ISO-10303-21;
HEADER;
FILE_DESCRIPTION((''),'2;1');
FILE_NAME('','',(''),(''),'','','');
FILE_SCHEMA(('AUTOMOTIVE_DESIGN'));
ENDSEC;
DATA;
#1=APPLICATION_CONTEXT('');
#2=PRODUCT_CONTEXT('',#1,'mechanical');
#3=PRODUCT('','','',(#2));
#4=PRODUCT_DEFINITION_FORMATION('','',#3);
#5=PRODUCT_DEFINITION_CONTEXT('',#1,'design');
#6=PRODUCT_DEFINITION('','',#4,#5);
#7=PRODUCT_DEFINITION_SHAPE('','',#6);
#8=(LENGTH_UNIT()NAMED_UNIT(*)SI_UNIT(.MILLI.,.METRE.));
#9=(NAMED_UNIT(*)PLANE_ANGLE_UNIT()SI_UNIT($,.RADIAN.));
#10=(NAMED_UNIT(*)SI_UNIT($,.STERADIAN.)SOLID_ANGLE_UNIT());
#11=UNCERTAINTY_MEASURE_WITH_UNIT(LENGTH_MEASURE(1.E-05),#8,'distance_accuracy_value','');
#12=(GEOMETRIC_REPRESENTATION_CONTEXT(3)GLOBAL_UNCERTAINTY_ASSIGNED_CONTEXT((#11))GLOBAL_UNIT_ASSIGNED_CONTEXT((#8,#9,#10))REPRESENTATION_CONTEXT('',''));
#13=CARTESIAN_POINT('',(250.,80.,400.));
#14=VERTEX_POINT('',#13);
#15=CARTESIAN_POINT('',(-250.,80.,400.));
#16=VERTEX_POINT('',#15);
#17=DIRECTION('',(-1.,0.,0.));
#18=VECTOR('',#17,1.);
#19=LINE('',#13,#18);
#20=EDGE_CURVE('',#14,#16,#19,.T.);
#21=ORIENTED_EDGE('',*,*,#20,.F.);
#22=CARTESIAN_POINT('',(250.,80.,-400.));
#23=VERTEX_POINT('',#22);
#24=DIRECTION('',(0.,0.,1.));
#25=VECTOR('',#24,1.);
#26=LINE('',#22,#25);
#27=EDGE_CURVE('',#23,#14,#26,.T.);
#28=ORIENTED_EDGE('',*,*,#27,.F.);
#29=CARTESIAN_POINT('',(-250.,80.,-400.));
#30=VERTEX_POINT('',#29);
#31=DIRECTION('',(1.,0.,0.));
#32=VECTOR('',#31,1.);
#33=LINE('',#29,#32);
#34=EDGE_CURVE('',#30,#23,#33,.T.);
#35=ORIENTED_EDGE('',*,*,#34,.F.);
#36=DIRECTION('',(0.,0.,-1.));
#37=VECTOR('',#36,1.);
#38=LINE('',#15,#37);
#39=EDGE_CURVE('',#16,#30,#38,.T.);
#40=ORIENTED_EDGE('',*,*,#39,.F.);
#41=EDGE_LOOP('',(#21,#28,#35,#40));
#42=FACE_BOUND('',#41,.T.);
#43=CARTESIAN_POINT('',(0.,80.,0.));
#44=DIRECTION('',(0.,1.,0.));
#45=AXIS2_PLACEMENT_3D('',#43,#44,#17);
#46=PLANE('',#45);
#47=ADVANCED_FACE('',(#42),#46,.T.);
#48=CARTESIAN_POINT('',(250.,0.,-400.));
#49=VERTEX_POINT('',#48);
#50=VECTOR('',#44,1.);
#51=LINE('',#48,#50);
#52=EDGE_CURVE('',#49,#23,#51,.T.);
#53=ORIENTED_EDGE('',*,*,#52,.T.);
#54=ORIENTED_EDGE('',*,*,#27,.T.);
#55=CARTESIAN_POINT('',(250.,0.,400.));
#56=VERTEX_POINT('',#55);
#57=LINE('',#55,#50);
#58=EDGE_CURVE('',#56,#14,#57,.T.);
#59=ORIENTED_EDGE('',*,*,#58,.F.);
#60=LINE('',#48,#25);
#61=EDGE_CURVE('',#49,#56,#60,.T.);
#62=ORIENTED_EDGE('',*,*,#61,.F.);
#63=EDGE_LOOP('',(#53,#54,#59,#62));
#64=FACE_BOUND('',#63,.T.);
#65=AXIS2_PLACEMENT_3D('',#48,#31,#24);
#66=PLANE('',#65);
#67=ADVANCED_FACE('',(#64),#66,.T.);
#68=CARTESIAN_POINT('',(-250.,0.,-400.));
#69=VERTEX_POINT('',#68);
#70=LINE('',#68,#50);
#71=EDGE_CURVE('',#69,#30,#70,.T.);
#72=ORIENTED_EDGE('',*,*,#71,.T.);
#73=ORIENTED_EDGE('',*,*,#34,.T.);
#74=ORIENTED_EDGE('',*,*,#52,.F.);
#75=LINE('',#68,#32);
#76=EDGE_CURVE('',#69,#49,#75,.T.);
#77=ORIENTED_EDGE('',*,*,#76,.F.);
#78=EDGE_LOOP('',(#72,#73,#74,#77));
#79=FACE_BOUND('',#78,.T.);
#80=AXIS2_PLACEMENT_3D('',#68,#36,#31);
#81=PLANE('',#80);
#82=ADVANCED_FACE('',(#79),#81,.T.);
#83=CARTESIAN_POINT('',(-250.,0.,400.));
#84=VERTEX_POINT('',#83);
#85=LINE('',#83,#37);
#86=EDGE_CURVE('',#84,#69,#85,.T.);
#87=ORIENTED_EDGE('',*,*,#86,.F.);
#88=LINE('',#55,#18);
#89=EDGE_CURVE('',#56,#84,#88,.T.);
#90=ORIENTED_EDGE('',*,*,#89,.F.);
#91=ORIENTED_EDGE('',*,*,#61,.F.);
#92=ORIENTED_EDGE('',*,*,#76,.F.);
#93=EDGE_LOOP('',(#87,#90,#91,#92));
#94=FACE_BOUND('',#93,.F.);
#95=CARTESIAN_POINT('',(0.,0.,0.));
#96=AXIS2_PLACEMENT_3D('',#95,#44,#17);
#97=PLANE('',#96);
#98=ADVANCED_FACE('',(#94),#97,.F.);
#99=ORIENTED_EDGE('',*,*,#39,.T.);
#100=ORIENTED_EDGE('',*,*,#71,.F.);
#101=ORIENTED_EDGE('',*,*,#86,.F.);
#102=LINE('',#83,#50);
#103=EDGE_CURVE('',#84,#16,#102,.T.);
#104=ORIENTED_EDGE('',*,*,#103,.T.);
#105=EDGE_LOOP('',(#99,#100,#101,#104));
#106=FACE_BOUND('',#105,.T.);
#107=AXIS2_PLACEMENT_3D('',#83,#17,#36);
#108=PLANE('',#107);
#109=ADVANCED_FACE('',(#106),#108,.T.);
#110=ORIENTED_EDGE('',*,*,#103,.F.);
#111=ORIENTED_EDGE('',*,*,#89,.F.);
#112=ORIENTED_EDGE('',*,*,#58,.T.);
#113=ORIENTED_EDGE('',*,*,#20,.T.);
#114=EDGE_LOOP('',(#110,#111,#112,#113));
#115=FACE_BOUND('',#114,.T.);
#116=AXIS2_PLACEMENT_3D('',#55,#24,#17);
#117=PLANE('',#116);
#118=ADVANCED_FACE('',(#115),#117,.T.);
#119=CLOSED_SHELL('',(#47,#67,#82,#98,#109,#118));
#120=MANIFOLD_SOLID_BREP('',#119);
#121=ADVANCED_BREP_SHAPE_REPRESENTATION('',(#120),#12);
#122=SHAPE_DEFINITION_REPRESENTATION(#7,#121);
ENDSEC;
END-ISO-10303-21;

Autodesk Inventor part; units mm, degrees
ref_plane "YZ Plane" through (0, 0, 0) normal (1, 0, 0) x (0, 1, 0)
ref_plane "XZ Plane" through (0, 0, 0) normal (0, 1, 0) x (-1, 0, 0)
ref_plane "XY Plane" through (0, 0, 0) normal (0, 0, 1) x (1, 0, 0)
sketch "Sketch1" plane through (0, 0, 0) normal (0, 1, 0) x (-1, 0, 0)
  line L0 (-250, 400) -> (250, 400)
  line L1 (250, 400) -> (250, -400)
  line L2 (250, -400) -> (-250, -400)
  line L3 (-250, -400) -> (-250, 400)
  line L4 (-250, 400) -> (250, -400) construction
  line L5 (250, 400) -> (-250, -400) construction
  point P0 (0, 0)
  dimension "d0" = 500
  dimension "d1" = 800
extrude "Extrusion1" add sketch "Sketch1" along normal blind 80
sketch "Sketch2" plane through (0, 80, 0) normal (0, 1, 0) x (1, 0, 0)
  line L0 (-250, 400) -> (-250, -400) projected
  line L1 (-250, -400) -> (-250, 400)
  line L2 (250, 400) -> (-250, 400) projected
  line L3 (-250, 400) -> (250, 400)
  line L4 (250, -400) -> (250, 400) projected
  line L5 (250, 400) -> (250, -400)
  line L6 (-250, -400) -> (250, -400) projected
  line L7 (250, -400) -> (-250, -400)
  line L8 (170, 400) -> (170, 320)
  line L9 (170, 320) -> (250, 320)
  line L10 (250, -320) -> (170, -320)
  line L11 (170, -320) -> (170, -400)
  line L12 (-250, -320) -> (-170, -320)
  line L13 (-170, -320) -> (-170, -400)
  line L14 (-170, 400) -> (-170, 320)
  line L15 (-170, 320) -> (-250, 320)
  line L16 (-170, -320) -> (170, 320)
  line L17 (170, -320) -> (-170, 320)
  point P0 (0, 0)
  dimension "d21" = 80
  dimension "d22" = 80
  dimension "d23" = 80
  dimension "d24" = 80
  dimension "d25" = 80
  dimension "d26" = 80
  dimension "d27" = 80
sketch "Sketch3" plane through (0, 0, 0) normal (0, -1, 0) x (1, 0, 0)
  line L0 (250, 400) -> (170, 400)
  line L1 (170, 400) -> (170, 320)
  line L2 (170, 320) -> (250, 320)
  line L3 (250, 320) -> (250, 400)
  line L4 (250, -400) -> (170, -400)
  line L5 (170, -400) -> (170, -320)
  line L6 (170, -320) -> (250, -320)
  line L7 (250, -320) -> (250, -400)
  line L8 (-250, 400) -> (-170, 400)
  line L9 (-170, 400) -> (-170, 320)
  line L10 (-170, 320) -> (-250, 320)
  line L11 (-250, 320) -> (-250, 400)
  line L12 (-250, -400) -> (-170, -400)
  line L13 (-170, -400) -> (-170, -320)
  line L14 (-170, -320) -> (-250, -320)
  line L15 (-250, -320) -> (-250, -400)
  line L16 (170, 320) -> (250, 400)
  line L17 (170, 400) -> (250, 320)
  line L18 (-170, 320) -> (-250, 400)
  line L19 (-170, 400) -> (-250, 320)
  line L20 (-170, -320) -> (-250, -400)
  line L21 (-170, -400) -> (-250, -320)
  line L22 (170, -320) -> (250, -400)
  line L23 (170, -400) -> (250, -320)
  point P0 (0, 0)
  dimension "d4" = 80
  dimension "d5" = 80
  dimension "d6" = 80
  dimension "d7" = 80
  dimension "d8" = 80
  dimension "d9" = 80
  dimension "d10" = 80
  dimension "d11" = 80
sketch "Sketch4" plane through (-250, 0, 400) normal (0, 0, 1) x (1, 0, 0)
  line L0 (0, 80) -> (500, 80) projected
  line L1 (0, 0) -> (0, 80) projected
  line L2 (0, 80) -> (0, 0)
  line L3 (500, 80) -> (500, 0)
  line L4 (500, 0) -> (500, 80) projected
  line L5 (80, 80) -> (80, 0)
  line L6 (420, 0) -> (420, 80)
  point P0 (250, 0)
  dimension "d13" = 80
  dimension "d14" = 80
  dimension "d42" = 80
  dimension "d43" = 80
sketch "Sketch5" plane through (250, 0, -400) normal (0, 0, -1) x (-1, 0, 0)
  line L0 (500, 80) -> (0, 80) projected
  line L1 (0, 80) -> (0, 0)
  line L2 (500, 0) -> (500, 80) projected
  line L3 (500, 80) -> (500, 0)
  line L4 (80, 80) -> (80, 0)
  line L5 (420, 80) -> (420, 0)
  point P0 (250, 0)
  dimension "d15" = 80
  dimension "d16" = 80
  dimension "d44" = 80
  dimension "d45" = 80
sketch "Sketch6" plane through (250, 0, 400) normal (1, 0, 0) x (0, 0, -1)
  line L0 (80, 0) -> (80, 79.4534)
  line L1 (720, -0.5466) -> (720, 79.4534)
  line L2 (800, 0) -> (800, 80) projected
  line L3 (0, 0) -> (0, 80) projected
  point P0 (400, 0)
  dimension "d17" = 80
  dimension "d18" = 80
  dimension "d41" = 80
sketch "Sketch7" plane through (-250, 0, -400) normal (-1, 0, 0) x (0, 0, 1)
  line L0 (800, 80) -> (0, 80) projected
  line L1 (80, 80) -> (80, 0)
  line L2 (720, 80) -> (720, 0)
  line L3 (0, 0) -> (0, 80) projected
  line L4 (800, 0) -> (800, 80) projected
  point P0 (400, 0)
  dimension "d19" = 80
  dimension "d20" = 80
sketch "Sketch9" plane through (-250, 0, 400) normal (0, 0, 1) x (1, 0, 0)
  line L0 (0, 80) -> (500, 80) construction
  line L1 (0, 0) -> (0, 80) construction
  line L2 (500, 0) -> (500, 80) construction
  line L3 (0, 0) -> (0, 80) construction
  line L4 (0, 80) -> (0, 0) construction
  line L5 (500, 0) -> (500, 80) construction
  point P0 (250, 0)
ref_plane "Work Plane1" through (-250, 0, 320) normal (0, 0, 1) x (1, 0, 0)
ref_plane "Work Plane2" through (250, 0, -320) normal (0, 0, -1) x (-1, 0, 0)
sketch "Sketch10" plane through (-250, 0, 320) normal (0, 0, 1) x (1, 0, 0)
  line L0 (80, 80) -> (80, 0) construction
  line L1 (420, 0) -> (420, 80) construction
  line L2 (80, 80) -> (80, 0)
  line L3 (420, 80) -> (420, 0)
  point P0 (250, 0)
sketch "Sketch11" plane through (250, 0, -320) normal (0, 0, -1) x (-1, 0, 0)
  line L0 (80, 80) -> (80, 0) construction
  line L1 (420, 80) -> (420, 0) construction
  line L2 (80, 80) -> (80, 0)
  line L3 (420, 80) -> (420, 0)
  point P0 (250, 0)
properties part number "WireFrame"
